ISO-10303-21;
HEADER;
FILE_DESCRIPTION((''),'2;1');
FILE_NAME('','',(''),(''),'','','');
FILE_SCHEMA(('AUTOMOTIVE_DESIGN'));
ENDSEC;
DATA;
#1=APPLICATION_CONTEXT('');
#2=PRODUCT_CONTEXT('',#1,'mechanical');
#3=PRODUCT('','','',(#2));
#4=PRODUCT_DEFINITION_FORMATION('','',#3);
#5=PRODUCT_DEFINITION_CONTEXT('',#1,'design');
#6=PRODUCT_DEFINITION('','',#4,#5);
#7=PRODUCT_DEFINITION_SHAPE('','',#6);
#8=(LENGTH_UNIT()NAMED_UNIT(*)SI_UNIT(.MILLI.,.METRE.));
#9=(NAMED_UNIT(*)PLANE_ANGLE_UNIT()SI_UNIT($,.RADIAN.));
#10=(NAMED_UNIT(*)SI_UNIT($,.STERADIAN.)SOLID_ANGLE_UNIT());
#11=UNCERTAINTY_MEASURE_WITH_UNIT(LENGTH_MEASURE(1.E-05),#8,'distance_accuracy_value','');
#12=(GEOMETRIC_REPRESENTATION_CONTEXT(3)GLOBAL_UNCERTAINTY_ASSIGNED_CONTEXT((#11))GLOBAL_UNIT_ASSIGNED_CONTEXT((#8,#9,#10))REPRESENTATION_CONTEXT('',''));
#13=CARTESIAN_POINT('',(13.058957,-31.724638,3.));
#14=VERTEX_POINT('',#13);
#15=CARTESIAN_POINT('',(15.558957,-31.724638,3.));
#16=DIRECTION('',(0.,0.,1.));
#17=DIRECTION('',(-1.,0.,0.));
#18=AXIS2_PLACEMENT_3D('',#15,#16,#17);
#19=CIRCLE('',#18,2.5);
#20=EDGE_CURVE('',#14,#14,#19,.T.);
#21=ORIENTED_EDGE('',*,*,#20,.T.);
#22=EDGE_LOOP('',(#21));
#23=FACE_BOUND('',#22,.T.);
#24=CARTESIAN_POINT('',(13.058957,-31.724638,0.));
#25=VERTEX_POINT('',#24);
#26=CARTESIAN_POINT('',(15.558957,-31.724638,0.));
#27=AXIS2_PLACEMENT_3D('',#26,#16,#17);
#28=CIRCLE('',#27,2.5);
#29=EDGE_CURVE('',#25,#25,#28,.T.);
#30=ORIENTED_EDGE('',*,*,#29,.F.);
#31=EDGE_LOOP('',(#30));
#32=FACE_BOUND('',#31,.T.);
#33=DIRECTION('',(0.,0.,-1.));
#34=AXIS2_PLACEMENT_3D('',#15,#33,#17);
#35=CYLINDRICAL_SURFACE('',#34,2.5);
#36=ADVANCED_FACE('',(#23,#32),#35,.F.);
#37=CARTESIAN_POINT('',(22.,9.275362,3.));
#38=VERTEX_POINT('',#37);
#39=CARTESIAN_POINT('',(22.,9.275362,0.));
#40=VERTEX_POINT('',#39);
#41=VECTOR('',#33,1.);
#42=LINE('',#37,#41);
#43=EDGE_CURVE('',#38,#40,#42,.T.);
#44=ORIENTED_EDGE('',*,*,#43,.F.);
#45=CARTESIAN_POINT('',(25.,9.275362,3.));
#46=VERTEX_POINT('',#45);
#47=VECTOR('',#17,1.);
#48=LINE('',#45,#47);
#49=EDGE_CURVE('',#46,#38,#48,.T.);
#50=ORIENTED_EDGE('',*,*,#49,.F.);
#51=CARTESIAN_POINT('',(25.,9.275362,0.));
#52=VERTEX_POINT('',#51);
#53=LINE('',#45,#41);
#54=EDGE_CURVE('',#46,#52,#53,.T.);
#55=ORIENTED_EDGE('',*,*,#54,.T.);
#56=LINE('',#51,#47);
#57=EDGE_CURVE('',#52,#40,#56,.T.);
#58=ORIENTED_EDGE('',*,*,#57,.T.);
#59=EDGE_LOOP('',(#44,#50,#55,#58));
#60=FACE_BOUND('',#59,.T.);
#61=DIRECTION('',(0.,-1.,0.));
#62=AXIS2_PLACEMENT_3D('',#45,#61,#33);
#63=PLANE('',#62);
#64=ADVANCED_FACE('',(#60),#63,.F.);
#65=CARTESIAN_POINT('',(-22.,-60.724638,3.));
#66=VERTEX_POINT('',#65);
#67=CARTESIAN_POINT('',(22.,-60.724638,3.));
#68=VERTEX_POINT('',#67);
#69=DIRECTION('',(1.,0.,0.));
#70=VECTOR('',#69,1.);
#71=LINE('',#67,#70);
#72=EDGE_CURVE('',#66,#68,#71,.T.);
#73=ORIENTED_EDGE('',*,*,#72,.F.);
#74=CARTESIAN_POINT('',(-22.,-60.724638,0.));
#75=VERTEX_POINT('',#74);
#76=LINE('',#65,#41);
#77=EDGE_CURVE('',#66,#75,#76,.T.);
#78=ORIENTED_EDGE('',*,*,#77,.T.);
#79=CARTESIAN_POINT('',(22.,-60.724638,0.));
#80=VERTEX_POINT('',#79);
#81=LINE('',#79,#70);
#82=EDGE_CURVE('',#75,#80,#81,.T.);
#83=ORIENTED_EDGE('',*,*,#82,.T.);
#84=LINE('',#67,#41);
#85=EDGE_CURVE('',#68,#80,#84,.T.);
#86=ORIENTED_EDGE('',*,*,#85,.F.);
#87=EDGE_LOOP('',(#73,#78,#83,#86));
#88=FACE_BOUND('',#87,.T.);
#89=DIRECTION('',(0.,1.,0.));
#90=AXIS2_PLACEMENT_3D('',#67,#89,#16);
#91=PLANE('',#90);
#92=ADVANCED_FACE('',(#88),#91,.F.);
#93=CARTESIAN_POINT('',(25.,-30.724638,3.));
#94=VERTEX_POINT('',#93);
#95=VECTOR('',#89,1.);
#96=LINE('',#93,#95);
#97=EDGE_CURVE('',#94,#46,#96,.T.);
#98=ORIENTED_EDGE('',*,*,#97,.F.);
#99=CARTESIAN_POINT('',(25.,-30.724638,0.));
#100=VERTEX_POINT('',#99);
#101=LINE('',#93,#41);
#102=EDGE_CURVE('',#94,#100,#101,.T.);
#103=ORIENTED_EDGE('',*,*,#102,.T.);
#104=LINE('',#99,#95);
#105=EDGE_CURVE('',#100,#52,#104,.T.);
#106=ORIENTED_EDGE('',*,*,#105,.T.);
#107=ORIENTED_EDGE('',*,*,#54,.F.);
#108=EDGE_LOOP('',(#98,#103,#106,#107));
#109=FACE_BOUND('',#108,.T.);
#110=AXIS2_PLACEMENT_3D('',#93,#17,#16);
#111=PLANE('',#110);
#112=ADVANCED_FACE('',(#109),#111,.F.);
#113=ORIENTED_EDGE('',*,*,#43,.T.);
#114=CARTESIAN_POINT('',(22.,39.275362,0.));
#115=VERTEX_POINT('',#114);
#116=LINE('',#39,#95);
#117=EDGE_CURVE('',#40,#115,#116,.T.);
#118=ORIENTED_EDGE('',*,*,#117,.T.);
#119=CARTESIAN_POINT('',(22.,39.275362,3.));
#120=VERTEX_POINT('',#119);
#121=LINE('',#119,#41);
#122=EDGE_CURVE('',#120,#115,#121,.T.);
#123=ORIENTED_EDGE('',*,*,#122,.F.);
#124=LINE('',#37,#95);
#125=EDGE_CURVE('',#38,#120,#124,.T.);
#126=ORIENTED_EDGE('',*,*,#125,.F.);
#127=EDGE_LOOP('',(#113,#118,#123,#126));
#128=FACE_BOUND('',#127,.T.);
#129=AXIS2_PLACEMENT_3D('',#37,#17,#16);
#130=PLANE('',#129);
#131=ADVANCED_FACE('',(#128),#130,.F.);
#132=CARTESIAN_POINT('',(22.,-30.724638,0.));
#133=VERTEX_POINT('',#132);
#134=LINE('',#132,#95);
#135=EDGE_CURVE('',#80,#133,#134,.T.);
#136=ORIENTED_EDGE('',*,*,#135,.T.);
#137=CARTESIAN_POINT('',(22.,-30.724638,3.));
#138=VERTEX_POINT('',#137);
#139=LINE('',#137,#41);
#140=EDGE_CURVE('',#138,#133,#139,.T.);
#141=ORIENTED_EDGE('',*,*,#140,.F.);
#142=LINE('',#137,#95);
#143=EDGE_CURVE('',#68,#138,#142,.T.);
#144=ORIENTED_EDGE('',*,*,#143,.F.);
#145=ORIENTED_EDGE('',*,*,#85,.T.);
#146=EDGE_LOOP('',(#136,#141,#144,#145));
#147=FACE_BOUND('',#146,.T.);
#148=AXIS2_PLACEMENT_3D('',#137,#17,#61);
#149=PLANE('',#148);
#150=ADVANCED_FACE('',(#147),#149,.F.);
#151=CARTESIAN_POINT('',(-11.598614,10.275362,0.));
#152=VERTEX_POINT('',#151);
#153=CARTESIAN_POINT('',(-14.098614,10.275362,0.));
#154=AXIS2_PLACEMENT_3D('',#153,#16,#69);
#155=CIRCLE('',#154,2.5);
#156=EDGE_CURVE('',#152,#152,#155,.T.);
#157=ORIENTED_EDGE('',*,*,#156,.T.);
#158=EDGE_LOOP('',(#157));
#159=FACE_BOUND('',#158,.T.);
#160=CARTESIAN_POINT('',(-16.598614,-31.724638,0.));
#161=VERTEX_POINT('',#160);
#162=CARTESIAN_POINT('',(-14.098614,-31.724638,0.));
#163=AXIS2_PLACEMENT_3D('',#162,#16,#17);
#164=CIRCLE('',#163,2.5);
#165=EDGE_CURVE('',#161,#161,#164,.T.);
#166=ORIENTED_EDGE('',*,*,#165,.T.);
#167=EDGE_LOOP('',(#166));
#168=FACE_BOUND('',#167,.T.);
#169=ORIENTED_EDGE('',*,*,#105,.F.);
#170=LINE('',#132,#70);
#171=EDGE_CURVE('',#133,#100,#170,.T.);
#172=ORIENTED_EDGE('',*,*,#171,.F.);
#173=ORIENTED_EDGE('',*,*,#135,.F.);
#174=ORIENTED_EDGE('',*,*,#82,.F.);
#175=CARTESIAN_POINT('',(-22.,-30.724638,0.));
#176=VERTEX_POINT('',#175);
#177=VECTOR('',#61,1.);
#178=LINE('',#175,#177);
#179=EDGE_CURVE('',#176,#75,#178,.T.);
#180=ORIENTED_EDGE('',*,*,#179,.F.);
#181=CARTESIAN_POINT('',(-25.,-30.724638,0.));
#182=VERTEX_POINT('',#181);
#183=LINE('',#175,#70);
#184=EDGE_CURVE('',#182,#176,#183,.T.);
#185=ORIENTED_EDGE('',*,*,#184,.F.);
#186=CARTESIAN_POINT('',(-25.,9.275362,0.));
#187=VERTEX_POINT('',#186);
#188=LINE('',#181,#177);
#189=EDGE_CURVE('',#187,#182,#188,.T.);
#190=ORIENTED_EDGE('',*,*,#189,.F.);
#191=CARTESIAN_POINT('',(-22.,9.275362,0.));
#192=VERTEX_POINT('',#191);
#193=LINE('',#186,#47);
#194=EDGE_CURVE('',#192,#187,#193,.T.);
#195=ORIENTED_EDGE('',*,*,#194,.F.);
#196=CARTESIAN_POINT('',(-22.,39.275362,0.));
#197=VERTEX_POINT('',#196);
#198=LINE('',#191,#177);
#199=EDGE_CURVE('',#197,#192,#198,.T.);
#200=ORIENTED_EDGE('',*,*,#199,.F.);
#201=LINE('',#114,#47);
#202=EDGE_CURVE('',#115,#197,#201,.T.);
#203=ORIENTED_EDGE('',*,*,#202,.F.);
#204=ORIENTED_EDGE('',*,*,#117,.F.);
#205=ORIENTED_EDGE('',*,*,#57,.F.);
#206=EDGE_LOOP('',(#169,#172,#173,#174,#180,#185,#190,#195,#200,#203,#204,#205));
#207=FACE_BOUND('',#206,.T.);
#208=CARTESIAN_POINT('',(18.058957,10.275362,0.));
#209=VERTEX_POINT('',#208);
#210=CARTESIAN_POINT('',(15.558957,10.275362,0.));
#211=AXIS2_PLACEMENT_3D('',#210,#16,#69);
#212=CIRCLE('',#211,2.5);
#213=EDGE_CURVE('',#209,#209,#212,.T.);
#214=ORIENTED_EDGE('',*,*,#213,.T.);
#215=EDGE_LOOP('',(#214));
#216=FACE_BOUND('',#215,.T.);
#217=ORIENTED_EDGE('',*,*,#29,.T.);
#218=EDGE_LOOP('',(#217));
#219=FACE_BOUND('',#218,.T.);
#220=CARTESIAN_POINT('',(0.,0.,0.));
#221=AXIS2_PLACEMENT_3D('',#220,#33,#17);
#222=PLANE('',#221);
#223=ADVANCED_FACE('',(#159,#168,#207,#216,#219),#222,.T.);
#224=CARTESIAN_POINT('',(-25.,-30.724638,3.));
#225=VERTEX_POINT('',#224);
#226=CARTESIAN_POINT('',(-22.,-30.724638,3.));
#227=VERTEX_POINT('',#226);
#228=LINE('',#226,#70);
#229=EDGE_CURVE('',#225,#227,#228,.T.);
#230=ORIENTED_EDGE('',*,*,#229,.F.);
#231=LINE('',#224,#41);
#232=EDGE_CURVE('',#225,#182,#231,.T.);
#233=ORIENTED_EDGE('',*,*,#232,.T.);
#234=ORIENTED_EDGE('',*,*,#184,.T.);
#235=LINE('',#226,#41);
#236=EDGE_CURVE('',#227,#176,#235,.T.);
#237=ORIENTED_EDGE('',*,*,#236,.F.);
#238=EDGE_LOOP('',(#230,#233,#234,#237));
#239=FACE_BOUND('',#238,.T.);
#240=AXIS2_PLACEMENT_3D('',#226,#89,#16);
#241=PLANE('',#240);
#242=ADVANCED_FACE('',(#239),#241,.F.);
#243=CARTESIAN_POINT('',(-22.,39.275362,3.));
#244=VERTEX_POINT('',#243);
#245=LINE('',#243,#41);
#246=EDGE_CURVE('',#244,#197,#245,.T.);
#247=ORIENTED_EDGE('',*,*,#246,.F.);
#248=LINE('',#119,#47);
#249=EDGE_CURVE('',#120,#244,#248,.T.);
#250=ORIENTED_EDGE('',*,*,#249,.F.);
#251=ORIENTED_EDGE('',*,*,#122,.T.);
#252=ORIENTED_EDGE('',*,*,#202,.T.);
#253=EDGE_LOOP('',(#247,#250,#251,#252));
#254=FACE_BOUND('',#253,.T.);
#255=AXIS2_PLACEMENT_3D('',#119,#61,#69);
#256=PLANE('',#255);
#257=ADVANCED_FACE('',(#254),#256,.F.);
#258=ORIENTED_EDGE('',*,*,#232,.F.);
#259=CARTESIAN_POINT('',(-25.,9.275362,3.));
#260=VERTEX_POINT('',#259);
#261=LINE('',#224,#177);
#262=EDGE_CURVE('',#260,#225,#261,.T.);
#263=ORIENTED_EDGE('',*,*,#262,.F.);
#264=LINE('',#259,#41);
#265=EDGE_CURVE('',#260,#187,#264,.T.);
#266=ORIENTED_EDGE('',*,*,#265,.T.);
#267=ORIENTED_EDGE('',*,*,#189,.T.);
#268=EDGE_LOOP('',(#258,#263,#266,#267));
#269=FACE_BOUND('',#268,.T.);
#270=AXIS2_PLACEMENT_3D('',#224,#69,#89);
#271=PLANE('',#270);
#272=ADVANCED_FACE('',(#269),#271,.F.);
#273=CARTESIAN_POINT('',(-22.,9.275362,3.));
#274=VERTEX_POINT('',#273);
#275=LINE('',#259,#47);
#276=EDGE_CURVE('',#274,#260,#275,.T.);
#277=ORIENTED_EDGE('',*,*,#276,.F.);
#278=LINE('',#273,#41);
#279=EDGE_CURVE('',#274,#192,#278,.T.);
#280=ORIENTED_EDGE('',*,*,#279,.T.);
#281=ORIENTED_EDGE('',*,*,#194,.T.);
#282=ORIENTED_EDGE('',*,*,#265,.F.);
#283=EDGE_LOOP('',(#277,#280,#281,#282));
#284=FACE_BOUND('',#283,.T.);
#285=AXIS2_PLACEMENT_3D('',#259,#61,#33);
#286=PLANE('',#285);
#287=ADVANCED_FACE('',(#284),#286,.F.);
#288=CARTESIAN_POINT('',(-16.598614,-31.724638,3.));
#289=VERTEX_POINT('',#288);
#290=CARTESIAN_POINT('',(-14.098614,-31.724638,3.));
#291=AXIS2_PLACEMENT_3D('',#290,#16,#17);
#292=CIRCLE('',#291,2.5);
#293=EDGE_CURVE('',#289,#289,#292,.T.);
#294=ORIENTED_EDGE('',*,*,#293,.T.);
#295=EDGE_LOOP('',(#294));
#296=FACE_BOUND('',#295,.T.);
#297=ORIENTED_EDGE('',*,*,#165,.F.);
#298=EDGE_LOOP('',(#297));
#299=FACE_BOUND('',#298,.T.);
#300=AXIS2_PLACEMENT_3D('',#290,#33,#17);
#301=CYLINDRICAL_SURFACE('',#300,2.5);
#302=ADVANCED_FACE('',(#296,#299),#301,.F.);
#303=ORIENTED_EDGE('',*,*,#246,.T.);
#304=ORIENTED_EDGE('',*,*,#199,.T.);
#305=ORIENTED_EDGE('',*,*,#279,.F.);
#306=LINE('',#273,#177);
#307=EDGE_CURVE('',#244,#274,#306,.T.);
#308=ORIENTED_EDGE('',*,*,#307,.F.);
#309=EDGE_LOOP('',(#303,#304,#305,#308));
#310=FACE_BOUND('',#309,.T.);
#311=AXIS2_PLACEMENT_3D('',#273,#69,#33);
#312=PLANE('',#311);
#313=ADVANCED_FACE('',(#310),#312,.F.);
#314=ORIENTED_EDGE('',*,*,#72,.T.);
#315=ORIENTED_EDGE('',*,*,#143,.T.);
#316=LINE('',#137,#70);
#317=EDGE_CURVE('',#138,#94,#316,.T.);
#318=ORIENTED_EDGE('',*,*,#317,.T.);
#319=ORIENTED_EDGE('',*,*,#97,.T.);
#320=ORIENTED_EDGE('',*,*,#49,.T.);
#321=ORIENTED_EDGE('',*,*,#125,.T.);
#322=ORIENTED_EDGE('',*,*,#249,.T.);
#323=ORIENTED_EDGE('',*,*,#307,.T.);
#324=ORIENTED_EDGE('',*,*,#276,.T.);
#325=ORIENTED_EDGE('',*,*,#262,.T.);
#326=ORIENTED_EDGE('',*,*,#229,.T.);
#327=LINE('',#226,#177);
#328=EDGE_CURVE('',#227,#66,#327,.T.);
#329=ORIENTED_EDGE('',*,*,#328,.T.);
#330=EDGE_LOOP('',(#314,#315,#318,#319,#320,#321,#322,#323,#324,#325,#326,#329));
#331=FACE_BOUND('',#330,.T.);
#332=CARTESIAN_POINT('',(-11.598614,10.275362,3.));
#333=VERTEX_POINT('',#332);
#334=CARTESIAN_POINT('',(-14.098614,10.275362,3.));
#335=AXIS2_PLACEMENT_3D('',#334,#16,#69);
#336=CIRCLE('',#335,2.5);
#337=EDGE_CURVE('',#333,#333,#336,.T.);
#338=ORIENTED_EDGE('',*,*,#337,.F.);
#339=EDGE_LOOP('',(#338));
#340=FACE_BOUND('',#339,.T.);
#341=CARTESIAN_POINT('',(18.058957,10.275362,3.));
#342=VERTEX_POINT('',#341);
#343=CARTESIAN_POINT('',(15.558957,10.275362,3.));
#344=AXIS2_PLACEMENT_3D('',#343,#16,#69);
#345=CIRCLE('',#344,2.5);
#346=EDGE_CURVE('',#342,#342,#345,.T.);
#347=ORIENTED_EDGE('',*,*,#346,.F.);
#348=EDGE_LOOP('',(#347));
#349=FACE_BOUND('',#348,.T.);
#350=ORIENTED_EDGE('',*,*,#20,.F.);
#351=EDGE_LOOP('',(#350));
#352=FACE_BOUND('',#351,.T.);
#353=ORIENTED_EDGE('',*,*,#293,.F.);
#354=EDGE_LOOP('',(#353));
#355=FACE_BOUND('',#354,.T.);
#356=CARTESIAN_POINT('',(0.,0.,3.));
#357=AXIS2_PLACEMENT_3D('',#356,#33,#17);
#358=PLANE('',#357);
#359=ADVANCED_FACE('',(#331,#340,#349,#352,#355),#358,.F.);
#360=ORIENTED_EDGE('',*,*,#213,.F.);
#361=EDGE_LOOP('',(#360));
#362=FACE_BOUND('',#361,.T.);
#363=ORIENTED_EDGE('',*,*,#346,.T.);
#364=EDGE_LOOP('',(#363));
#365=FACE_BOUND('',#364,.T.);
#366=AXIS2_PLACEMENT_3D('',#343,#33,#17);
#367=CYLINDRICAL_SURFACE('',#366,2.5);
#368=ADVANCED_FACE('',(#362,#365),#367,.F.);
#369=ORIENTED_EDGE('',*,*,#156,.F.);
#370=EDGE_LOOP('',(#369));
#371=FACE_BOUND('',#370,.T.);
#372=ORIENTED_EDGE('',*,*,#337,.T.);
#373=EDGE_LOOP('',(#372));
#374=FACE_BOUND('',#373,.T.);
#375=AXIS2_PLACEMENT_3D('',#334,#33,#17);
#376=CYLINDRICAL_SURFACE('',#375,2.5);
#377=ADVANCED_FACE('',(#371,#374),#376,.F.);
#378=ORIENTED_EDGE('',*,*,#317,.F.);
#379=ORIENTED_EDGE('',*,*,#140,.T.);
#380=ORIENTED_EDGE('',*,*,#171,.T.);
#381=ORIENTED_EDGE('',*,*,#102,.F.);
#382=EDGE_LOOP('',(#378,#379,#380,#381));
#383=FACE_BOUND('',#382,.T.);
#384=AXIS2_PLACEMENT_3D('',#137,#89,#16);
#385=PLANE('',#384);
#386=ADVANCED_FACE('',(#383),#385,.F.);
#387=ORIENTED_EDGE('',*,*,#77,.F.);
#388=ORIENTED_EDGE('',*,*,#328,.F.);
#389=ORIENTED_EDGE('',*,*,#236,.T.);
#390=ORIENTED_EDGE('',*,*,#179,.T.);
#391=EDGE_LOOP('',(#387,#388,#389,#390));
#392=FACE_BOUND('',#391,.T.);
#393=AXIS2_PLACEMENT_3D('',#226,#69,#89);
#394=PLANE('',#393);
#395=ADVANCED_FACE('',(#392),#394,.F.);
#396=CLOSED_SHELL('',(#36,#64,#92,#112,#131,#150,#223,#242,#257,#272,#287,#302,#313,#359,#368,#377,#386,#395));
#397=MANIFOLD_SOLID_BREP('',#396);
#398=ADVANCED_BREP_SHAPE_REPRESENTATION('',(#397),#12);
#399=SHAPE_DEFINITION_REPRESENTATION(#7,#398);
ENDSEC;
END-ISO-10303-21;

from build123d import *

# Parameters (mm, degrees)
SKETCH1_R           = 2.5
BOSS_EXTRUDE1_DEPTH = 3


with BuildPart() as part:
    # Sketch1 → Boss-Extrude1 (new body)
    with BuildSketch(Plane.XY):
        Polygon((-25, 9.275362319), (-22, 9.275362319), (-22, 39.275362319), (22, 39.275362319), (22, 9.275362319), (25, 9.275362319), (25, -30.724637681), (22, -30.724637681), (22, -60.724637681), (-22, -60.724637681), (-22, -30.724637681), (-25, -30.724637681), align=None)
        with Locations((15.558956534, 10.275362319)):
            Circle(SKETCH1_R, mode=Mode.SUBTRACT)
        with Locations((-14.098613638, 10.275362319)):
            Circle(SKETCH1_R, mode=Mode.SUBTRACT)
        with Locations(Location((15.558956534, -31.724637681, 0), (0, 0, 180))):
            Circle(SKETCH1_R, mode=Mode.SUBTRACT)
        with Locations(Location((-14.098613638, -31.724637681, 0), (0, 0, 180))):
            Circle(SKETCH1_R, mode=Mode.SUBTRACT)
    extrude(amount=BOSS_EXTRUDE1_DEPTH)


solid = part.part
